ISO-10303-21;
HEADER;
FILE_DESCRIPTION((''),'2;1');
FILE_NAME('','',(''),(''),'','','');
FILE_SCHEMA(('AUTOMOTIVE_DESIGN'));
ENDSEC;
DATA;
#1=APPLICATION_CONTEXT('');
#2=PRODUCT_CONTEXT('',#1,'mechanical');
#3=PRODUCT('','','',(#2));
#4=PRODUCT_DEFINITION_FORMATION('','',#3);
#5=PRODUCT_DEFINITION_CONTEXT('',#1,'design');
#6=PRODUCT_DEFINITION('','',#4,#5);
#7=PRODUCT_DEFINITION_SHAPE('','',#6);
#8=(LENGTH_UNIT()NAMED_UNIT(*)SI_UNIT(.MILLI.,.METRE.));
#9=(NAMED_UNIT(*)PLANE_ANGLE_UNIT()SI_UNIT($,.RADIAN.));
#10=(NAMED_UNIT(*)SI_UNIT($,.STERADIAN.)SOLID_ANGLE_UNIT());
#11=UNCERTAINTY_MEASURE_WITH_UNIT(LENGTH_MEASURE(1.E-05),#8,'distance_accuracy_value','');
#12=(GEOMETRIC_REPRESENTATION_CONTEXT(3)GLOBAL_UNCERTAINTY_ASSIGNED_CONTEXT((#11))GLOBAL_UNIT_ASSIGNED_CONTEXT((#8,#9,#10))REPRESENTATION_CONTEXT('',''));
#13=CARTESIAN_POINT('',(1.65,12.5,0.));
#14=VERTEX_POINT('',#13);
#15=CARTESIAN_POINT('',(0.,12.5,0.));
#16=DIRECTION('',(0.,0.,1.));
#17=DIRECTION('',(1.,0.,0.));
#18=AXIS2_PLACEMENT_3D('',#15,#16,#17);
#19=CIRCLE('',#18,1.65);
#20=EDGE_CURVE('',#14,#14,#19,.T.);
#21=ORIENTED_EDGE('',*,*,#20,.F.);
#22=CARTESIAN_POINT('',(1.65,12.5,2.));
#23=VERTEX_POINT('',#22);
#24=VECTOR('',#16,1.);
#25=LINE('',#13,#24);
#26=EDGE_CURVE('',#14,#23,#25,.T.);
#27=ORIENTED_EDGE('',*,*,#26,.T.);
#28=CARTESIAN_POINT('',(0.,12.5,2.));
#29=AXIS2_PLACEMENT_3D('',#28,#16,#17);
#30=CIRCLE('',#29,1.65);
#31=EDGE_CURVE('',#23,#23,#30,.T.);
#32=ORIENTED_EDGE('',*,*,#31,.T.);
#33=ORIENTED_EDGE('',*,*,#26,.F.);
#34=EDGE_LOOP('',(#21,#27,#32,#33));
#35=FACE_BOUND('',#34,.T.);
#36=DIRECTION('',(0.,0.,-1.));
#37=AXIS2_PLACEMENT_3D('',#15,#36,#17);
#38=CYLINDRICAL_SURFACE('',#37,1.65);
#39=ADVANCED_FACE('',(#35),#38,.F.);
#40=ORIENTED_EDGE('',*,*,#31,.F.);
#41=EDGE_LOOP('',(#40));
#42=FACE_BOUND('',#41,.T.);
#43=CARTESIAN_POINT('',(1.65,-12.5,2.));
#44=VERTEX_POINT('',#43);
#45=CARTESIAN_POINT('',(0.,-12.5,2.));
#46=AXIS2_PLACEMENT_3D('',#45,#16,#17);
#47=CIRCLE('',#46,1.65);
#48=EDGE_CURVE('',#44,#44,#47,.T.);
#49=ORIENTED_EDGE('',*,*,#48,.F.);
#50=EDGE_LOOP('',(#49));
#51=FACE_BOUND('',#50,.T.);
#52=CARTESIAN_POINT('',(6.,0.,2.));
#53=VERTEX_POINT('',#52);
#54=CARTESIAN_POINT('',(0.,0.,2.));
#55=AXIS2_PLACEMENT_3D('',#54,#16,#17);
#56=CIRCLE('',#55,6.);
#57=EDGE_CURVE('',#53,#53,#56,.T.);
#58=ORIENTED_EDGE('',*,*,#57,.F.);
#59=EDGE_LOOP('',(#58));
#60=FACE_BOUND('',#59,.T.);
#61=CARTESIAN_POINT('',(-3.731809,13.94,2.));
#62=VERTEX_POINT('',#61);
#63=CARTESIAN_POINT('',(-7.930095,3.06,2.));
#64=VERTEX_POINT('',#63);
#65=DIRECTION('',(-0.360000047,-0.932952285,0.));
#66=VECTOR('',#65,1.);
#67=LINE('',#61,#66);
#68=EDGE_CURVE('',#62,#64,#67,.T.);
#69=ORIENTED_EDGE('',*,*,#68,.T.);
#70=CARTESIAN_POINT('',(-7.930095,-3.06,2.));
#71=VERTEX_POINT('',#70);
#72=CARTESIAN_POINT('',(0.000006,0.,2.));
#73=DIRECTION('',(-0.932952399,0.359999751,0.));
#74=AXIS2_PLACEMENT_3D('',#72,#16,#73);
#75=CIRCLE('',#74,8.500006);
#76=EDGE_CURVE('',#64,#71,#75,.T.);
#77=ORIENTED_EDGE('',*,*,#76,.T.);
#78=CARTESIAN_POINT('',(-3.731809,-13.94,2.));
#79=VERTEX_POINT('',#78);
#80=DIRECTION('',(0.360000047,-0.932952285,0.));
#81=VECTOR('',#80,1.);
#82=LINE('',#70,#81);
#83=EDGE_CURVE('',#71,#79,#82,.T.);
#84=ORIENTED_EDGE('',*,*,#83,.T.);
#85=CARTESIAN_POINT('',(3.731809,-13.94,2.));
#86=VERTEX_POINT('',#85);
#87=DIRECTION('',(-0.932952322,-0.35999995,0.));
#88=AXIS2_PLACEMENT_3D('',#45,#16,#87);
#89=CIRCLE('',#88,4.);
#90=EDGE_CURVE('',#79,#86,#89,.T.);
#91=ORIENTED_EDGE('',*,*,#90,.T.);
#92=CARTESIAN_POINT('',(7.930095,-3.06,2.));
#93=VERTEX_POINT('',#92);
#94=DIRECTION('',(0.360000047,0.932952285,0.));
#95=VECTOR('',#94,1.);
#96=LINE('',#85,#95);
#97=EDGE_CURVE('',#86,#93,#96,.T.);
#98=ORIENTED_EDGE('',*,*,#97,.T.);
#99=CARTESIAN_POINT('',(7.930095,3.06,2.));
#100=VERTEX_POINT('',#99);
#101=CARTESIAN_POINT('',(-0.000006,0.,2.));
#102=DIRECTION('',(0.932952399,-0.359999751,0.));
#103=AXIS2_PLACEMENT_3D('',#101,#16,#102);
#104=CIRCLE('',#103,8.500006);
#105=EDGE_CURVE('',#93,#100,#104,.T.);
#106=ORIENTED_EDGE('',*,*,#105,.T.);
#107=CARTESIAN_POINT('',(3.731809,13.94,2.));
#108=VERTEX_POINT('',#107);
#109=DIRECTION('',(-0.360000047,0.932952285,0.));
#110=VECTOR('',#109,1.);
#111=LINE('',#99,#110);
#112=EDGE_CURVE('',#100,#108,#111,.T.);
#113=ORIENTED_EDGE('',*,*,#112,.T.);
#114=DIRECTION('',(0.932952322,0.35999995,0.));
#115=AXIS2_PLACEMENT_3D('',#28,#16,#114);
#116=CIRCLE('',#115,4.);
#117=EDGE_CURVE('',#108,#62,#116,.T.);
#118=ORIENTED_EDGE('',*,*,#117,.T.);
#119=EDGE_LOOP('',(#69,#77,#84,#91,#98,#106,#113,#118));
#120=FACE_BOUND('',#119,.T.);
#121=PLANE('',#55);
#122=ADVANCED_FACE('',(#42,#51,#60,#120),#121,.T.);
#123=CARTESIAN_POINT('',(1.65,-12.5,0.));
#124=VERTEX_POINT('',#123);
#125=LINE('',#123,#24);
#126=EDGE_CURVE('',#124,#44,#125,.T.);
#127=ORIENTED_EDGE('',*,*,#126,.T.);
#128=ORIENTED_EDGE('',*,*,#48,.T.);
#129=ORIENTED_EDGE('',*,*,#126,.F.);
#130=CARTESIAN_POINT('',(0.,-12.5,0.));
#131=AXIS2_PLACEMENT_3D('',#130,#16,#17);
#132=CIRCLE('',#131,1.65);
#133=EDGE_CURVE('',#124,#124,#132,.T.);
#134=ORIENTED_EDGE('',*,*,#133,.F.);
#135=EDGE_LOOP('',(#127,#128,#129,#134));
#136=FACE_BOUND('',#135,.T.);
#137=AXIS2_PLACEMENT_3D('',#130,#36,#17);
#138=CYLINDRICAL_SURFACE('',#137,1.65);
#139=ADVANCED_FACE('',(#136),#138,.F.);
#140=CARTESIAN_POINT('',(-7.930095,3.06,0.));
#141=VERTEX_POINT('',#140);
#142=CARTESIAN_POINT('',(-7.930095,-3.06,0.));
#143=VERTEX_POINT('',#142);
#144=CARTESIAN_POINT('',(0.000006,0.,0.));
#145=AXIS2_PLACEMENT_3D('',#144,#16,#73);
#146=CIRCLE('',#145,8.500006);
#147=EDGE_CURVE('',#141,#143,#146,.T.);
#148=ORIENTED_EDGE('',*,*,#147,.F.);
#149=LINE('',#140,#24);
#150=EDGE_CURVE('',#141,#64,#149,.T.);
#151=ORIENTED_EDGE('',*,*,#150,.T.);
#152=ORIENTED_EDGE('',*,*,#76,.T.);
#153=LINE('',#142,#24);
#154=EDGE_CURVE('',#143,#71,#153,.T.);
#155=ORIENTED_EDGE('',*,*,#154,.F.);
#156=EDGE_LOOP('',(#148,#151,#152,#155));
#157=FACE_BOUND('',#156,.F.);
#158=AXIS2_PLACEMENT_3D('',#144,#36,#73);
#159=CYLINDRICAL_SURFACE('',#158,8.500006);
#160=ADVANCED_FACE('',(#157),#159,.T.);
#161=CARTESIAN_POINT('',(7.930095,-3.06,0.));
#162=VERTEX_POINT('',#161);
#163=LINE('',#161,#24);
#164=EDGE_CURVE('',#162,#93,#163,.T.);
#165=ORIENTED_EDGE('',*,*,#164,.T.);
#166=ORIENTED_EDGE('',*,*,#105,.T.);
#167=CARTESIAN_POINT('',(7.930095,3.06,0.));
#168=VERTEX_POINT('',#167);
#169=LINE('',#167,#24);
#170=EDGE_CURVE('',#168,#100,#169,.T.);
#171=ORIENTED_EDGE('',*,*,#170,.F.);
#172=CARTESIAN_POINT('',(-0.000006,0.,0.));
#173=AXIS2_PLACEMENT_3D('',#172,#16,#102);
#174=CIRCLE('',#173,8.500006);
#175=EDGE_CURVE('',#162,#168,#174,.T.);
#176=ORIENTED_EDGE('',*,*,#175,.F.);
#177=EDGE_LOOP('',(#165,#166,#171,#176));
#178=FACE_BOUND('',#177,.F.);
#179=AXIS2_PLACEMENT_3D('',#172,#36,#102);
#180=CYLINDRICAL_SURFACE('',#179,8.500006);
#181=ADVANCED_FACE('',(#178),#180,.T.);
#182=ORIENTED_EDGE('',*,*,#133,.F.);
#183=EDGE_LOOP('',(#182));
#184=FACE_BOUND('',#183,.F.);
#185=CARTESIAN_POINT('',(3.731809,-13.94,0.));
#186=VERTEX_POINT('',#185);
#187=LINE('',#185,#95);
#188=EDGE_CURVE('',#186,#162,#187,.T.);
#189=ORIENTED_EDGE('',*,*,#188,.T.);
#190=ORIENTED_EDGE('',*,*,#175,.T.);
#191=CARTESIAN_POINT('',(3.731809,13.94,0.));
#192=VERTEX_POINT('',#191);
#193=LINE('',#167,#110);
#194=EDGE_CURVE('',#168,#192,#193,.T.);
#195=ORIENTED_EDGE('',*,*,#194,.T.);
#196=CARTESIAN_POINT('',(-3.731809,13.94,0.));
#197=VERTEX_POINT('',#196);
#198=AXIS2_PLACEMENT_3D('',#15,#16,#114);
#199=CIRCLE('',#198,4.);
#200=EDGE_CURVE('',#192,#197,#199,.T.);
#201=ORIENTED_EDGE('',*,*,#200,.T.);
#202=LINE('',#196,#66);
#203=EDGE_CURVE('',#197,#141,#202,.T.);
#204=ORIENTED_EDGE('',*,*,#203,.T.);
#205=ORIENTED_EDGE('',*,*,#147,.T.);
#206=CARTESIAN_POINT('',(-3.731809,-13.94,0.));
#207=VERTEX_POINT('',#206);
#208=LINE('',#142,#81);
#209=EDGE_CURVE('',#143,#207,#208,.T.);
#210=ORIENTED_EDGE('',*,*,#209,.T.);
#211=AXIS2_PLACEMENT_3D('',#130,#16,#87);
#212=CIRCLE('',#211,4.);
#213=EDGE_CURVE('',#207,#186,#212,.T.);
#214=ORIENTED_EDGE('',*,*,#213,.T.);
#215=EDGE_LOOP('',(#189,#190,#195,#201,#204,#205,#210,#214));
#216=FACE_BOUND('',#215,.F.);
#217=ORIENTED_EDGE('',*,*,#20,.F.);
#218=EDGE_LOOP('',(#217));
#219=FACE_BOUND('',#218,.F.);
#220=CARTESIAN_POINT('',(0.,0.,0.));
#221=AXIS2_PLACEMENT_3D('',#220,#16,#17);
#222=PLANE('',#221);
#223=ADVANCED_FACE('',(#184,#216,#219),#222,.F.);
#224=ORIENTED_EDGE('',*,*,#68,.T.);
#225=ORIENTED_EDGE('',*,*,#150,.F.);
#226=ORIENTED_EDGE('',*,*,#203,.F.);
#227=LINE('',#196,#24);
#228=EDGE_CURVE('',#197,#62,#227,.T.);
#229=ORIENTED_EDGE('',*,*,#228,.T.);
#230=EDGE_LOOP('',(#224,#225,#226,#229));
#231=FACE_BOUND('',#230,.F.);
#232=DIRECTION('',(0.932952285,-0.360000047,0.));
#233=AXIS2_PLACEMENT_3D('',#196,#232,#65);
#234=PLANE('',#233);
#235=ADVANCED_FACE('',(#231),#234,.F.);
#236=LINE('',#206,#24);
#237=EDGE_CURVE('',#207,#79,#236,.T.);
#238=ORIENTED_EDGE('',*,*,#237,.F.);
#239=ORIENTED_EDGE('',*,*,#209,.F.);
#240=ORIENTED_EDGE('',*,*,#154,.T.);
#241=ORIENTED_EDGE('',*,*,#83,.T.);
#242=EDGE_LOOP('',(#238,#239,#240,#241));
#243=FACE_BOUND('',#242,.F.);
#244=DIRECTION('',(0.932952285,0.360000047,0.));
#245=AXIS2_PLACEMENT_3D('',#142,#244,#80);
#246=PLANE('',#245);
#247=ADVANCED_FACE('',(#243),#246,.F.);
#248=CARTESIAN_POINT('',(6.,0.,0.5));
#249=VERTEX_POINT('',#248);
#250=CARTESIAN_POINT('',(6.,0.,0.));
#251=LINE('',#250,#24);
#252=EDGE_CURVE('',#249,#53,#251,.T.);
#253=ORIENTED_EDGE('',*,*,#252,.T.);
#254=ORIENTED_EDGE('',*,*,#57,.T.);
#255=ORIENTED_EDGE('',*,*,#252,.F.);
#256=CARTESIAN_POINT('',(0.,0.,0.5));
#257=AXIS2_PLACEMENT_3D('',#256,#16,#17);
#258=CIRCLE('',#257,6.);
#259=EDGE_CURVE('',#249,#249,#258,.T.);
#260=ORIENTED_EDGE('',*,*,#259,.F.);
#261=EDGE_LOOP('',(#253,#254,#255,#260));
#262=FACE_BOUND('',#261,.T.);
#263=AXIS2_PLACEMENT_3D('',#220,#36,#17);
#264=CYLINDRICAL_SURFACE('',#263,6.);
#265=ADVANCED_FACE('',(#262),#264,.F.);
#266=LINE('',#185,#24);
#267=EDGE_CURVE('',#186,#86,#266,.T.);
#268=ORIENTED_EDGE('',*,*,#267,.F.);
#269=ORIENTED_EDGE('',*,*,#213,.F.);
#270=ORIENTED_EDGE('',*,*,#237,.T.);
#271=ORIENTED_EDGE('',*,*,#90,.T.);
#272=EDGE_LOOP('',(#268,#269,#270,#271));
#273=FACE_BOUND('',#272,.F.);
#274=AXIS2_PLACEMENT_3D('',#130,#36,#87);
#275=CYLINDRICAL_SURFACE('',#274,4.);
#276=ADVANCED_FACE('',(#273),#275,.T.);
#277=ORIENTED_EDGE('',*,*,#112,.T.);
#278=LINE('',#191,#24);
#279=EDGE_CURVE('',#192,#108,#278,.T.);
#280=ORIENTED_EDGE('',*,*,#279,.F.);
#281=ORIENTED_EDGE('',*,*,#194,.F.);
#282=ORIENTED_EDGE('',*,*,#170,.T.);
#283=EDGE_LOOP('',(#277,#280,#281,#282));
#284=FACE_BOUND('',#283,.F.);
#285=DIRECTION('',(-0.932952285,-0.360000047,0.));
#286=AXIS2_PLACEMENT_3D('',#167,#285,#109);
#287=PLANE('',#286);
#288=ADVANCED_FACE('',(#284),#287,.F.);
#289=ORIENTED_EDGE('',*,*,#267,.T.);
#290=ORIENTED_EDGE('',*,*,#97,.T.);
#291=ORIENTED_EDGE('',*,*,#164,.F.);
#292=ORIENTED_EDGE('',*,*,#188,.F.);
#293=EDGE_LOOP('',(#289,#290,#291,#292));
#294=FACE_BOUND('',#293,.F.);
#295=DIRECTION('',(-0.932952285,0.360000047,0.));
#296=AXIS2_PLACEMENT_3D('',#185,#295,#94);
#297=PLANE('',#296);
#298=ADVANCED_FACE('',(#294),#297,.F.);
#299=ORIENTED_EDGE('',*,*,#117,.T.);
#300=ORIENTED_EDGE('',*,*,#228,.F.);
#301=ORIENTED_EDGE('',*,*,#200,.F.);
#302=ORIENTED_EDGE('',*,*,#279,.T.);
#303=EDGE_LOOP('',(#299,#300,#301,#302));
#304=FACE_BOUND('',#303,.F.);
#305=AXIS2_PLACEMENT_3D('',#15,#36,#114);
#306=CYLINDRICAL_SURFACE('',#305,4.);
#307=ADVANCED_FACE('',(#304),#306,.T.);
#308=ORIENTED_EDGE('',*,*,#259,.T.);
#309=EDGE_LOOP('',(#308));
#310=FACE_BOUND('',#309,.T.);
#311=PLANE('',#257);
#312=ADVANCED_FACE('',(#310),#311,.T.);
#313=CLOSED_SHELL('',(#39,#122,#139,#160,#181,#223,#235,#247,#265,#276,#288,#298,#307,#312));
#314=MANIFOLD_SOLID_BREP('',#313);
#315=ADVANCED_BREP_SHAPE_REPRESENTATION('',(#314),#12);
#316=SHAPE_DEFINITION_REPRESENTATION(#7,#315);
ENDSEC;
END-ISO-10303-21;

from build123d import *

# Parameters (mm, degrees)
F0_R     = 1.65
F0_R_2   = 6
F1_DEPTH = 2
F2_DEPTH = 0.5


with BuildPart() as f1:
    # F0 (on Top) → F1 (new body)
    with BuildSketch(Plane.XY):
        with BuildLine():
            Line((-3.731809, 13.94), (-7.930095, 3.06))
            ThreePointArc((-7.930095, 3.06), (-8.5, 0), (-7.930095, -3.06))
            Line((-7.930095, -3.06), (-3.731809, -13.94))
            ThreePointArc((-3.731809, -13.94), (0, -16.5), (3.731809, -13.94))
            Line((3.731809, -13.94), (7.930095, -3.06))
            ThreePointArc((7.930095, -3.06), (8.5, 0), (7.930095, 3.06))
            Line((7.930095, 3.06), (3.731809, 13.94))
            ThreePointArc((3.731809, 13.94), (0, 16.5), (-3.731809, 13.94))
        make_face()
        with Locations((0, -12.5)):
            Circle(F0_R, mode=Mode.SUBTRACT)
        Circle(F0_R_2, mode=Mode.SUBTRACT)
        with Locations((0, 12.5)):
            Circle(F0_R, mode=Mode.SUBTRACT)
    extrude(amount=F1_DEPTH)

    # F0 (on Top) → F2 (join)
    with BuildSketch(Plane.XY):
        Circle(F0_R_2)
    extrude(amount=F2_DEPTH)


solid = f1.part
